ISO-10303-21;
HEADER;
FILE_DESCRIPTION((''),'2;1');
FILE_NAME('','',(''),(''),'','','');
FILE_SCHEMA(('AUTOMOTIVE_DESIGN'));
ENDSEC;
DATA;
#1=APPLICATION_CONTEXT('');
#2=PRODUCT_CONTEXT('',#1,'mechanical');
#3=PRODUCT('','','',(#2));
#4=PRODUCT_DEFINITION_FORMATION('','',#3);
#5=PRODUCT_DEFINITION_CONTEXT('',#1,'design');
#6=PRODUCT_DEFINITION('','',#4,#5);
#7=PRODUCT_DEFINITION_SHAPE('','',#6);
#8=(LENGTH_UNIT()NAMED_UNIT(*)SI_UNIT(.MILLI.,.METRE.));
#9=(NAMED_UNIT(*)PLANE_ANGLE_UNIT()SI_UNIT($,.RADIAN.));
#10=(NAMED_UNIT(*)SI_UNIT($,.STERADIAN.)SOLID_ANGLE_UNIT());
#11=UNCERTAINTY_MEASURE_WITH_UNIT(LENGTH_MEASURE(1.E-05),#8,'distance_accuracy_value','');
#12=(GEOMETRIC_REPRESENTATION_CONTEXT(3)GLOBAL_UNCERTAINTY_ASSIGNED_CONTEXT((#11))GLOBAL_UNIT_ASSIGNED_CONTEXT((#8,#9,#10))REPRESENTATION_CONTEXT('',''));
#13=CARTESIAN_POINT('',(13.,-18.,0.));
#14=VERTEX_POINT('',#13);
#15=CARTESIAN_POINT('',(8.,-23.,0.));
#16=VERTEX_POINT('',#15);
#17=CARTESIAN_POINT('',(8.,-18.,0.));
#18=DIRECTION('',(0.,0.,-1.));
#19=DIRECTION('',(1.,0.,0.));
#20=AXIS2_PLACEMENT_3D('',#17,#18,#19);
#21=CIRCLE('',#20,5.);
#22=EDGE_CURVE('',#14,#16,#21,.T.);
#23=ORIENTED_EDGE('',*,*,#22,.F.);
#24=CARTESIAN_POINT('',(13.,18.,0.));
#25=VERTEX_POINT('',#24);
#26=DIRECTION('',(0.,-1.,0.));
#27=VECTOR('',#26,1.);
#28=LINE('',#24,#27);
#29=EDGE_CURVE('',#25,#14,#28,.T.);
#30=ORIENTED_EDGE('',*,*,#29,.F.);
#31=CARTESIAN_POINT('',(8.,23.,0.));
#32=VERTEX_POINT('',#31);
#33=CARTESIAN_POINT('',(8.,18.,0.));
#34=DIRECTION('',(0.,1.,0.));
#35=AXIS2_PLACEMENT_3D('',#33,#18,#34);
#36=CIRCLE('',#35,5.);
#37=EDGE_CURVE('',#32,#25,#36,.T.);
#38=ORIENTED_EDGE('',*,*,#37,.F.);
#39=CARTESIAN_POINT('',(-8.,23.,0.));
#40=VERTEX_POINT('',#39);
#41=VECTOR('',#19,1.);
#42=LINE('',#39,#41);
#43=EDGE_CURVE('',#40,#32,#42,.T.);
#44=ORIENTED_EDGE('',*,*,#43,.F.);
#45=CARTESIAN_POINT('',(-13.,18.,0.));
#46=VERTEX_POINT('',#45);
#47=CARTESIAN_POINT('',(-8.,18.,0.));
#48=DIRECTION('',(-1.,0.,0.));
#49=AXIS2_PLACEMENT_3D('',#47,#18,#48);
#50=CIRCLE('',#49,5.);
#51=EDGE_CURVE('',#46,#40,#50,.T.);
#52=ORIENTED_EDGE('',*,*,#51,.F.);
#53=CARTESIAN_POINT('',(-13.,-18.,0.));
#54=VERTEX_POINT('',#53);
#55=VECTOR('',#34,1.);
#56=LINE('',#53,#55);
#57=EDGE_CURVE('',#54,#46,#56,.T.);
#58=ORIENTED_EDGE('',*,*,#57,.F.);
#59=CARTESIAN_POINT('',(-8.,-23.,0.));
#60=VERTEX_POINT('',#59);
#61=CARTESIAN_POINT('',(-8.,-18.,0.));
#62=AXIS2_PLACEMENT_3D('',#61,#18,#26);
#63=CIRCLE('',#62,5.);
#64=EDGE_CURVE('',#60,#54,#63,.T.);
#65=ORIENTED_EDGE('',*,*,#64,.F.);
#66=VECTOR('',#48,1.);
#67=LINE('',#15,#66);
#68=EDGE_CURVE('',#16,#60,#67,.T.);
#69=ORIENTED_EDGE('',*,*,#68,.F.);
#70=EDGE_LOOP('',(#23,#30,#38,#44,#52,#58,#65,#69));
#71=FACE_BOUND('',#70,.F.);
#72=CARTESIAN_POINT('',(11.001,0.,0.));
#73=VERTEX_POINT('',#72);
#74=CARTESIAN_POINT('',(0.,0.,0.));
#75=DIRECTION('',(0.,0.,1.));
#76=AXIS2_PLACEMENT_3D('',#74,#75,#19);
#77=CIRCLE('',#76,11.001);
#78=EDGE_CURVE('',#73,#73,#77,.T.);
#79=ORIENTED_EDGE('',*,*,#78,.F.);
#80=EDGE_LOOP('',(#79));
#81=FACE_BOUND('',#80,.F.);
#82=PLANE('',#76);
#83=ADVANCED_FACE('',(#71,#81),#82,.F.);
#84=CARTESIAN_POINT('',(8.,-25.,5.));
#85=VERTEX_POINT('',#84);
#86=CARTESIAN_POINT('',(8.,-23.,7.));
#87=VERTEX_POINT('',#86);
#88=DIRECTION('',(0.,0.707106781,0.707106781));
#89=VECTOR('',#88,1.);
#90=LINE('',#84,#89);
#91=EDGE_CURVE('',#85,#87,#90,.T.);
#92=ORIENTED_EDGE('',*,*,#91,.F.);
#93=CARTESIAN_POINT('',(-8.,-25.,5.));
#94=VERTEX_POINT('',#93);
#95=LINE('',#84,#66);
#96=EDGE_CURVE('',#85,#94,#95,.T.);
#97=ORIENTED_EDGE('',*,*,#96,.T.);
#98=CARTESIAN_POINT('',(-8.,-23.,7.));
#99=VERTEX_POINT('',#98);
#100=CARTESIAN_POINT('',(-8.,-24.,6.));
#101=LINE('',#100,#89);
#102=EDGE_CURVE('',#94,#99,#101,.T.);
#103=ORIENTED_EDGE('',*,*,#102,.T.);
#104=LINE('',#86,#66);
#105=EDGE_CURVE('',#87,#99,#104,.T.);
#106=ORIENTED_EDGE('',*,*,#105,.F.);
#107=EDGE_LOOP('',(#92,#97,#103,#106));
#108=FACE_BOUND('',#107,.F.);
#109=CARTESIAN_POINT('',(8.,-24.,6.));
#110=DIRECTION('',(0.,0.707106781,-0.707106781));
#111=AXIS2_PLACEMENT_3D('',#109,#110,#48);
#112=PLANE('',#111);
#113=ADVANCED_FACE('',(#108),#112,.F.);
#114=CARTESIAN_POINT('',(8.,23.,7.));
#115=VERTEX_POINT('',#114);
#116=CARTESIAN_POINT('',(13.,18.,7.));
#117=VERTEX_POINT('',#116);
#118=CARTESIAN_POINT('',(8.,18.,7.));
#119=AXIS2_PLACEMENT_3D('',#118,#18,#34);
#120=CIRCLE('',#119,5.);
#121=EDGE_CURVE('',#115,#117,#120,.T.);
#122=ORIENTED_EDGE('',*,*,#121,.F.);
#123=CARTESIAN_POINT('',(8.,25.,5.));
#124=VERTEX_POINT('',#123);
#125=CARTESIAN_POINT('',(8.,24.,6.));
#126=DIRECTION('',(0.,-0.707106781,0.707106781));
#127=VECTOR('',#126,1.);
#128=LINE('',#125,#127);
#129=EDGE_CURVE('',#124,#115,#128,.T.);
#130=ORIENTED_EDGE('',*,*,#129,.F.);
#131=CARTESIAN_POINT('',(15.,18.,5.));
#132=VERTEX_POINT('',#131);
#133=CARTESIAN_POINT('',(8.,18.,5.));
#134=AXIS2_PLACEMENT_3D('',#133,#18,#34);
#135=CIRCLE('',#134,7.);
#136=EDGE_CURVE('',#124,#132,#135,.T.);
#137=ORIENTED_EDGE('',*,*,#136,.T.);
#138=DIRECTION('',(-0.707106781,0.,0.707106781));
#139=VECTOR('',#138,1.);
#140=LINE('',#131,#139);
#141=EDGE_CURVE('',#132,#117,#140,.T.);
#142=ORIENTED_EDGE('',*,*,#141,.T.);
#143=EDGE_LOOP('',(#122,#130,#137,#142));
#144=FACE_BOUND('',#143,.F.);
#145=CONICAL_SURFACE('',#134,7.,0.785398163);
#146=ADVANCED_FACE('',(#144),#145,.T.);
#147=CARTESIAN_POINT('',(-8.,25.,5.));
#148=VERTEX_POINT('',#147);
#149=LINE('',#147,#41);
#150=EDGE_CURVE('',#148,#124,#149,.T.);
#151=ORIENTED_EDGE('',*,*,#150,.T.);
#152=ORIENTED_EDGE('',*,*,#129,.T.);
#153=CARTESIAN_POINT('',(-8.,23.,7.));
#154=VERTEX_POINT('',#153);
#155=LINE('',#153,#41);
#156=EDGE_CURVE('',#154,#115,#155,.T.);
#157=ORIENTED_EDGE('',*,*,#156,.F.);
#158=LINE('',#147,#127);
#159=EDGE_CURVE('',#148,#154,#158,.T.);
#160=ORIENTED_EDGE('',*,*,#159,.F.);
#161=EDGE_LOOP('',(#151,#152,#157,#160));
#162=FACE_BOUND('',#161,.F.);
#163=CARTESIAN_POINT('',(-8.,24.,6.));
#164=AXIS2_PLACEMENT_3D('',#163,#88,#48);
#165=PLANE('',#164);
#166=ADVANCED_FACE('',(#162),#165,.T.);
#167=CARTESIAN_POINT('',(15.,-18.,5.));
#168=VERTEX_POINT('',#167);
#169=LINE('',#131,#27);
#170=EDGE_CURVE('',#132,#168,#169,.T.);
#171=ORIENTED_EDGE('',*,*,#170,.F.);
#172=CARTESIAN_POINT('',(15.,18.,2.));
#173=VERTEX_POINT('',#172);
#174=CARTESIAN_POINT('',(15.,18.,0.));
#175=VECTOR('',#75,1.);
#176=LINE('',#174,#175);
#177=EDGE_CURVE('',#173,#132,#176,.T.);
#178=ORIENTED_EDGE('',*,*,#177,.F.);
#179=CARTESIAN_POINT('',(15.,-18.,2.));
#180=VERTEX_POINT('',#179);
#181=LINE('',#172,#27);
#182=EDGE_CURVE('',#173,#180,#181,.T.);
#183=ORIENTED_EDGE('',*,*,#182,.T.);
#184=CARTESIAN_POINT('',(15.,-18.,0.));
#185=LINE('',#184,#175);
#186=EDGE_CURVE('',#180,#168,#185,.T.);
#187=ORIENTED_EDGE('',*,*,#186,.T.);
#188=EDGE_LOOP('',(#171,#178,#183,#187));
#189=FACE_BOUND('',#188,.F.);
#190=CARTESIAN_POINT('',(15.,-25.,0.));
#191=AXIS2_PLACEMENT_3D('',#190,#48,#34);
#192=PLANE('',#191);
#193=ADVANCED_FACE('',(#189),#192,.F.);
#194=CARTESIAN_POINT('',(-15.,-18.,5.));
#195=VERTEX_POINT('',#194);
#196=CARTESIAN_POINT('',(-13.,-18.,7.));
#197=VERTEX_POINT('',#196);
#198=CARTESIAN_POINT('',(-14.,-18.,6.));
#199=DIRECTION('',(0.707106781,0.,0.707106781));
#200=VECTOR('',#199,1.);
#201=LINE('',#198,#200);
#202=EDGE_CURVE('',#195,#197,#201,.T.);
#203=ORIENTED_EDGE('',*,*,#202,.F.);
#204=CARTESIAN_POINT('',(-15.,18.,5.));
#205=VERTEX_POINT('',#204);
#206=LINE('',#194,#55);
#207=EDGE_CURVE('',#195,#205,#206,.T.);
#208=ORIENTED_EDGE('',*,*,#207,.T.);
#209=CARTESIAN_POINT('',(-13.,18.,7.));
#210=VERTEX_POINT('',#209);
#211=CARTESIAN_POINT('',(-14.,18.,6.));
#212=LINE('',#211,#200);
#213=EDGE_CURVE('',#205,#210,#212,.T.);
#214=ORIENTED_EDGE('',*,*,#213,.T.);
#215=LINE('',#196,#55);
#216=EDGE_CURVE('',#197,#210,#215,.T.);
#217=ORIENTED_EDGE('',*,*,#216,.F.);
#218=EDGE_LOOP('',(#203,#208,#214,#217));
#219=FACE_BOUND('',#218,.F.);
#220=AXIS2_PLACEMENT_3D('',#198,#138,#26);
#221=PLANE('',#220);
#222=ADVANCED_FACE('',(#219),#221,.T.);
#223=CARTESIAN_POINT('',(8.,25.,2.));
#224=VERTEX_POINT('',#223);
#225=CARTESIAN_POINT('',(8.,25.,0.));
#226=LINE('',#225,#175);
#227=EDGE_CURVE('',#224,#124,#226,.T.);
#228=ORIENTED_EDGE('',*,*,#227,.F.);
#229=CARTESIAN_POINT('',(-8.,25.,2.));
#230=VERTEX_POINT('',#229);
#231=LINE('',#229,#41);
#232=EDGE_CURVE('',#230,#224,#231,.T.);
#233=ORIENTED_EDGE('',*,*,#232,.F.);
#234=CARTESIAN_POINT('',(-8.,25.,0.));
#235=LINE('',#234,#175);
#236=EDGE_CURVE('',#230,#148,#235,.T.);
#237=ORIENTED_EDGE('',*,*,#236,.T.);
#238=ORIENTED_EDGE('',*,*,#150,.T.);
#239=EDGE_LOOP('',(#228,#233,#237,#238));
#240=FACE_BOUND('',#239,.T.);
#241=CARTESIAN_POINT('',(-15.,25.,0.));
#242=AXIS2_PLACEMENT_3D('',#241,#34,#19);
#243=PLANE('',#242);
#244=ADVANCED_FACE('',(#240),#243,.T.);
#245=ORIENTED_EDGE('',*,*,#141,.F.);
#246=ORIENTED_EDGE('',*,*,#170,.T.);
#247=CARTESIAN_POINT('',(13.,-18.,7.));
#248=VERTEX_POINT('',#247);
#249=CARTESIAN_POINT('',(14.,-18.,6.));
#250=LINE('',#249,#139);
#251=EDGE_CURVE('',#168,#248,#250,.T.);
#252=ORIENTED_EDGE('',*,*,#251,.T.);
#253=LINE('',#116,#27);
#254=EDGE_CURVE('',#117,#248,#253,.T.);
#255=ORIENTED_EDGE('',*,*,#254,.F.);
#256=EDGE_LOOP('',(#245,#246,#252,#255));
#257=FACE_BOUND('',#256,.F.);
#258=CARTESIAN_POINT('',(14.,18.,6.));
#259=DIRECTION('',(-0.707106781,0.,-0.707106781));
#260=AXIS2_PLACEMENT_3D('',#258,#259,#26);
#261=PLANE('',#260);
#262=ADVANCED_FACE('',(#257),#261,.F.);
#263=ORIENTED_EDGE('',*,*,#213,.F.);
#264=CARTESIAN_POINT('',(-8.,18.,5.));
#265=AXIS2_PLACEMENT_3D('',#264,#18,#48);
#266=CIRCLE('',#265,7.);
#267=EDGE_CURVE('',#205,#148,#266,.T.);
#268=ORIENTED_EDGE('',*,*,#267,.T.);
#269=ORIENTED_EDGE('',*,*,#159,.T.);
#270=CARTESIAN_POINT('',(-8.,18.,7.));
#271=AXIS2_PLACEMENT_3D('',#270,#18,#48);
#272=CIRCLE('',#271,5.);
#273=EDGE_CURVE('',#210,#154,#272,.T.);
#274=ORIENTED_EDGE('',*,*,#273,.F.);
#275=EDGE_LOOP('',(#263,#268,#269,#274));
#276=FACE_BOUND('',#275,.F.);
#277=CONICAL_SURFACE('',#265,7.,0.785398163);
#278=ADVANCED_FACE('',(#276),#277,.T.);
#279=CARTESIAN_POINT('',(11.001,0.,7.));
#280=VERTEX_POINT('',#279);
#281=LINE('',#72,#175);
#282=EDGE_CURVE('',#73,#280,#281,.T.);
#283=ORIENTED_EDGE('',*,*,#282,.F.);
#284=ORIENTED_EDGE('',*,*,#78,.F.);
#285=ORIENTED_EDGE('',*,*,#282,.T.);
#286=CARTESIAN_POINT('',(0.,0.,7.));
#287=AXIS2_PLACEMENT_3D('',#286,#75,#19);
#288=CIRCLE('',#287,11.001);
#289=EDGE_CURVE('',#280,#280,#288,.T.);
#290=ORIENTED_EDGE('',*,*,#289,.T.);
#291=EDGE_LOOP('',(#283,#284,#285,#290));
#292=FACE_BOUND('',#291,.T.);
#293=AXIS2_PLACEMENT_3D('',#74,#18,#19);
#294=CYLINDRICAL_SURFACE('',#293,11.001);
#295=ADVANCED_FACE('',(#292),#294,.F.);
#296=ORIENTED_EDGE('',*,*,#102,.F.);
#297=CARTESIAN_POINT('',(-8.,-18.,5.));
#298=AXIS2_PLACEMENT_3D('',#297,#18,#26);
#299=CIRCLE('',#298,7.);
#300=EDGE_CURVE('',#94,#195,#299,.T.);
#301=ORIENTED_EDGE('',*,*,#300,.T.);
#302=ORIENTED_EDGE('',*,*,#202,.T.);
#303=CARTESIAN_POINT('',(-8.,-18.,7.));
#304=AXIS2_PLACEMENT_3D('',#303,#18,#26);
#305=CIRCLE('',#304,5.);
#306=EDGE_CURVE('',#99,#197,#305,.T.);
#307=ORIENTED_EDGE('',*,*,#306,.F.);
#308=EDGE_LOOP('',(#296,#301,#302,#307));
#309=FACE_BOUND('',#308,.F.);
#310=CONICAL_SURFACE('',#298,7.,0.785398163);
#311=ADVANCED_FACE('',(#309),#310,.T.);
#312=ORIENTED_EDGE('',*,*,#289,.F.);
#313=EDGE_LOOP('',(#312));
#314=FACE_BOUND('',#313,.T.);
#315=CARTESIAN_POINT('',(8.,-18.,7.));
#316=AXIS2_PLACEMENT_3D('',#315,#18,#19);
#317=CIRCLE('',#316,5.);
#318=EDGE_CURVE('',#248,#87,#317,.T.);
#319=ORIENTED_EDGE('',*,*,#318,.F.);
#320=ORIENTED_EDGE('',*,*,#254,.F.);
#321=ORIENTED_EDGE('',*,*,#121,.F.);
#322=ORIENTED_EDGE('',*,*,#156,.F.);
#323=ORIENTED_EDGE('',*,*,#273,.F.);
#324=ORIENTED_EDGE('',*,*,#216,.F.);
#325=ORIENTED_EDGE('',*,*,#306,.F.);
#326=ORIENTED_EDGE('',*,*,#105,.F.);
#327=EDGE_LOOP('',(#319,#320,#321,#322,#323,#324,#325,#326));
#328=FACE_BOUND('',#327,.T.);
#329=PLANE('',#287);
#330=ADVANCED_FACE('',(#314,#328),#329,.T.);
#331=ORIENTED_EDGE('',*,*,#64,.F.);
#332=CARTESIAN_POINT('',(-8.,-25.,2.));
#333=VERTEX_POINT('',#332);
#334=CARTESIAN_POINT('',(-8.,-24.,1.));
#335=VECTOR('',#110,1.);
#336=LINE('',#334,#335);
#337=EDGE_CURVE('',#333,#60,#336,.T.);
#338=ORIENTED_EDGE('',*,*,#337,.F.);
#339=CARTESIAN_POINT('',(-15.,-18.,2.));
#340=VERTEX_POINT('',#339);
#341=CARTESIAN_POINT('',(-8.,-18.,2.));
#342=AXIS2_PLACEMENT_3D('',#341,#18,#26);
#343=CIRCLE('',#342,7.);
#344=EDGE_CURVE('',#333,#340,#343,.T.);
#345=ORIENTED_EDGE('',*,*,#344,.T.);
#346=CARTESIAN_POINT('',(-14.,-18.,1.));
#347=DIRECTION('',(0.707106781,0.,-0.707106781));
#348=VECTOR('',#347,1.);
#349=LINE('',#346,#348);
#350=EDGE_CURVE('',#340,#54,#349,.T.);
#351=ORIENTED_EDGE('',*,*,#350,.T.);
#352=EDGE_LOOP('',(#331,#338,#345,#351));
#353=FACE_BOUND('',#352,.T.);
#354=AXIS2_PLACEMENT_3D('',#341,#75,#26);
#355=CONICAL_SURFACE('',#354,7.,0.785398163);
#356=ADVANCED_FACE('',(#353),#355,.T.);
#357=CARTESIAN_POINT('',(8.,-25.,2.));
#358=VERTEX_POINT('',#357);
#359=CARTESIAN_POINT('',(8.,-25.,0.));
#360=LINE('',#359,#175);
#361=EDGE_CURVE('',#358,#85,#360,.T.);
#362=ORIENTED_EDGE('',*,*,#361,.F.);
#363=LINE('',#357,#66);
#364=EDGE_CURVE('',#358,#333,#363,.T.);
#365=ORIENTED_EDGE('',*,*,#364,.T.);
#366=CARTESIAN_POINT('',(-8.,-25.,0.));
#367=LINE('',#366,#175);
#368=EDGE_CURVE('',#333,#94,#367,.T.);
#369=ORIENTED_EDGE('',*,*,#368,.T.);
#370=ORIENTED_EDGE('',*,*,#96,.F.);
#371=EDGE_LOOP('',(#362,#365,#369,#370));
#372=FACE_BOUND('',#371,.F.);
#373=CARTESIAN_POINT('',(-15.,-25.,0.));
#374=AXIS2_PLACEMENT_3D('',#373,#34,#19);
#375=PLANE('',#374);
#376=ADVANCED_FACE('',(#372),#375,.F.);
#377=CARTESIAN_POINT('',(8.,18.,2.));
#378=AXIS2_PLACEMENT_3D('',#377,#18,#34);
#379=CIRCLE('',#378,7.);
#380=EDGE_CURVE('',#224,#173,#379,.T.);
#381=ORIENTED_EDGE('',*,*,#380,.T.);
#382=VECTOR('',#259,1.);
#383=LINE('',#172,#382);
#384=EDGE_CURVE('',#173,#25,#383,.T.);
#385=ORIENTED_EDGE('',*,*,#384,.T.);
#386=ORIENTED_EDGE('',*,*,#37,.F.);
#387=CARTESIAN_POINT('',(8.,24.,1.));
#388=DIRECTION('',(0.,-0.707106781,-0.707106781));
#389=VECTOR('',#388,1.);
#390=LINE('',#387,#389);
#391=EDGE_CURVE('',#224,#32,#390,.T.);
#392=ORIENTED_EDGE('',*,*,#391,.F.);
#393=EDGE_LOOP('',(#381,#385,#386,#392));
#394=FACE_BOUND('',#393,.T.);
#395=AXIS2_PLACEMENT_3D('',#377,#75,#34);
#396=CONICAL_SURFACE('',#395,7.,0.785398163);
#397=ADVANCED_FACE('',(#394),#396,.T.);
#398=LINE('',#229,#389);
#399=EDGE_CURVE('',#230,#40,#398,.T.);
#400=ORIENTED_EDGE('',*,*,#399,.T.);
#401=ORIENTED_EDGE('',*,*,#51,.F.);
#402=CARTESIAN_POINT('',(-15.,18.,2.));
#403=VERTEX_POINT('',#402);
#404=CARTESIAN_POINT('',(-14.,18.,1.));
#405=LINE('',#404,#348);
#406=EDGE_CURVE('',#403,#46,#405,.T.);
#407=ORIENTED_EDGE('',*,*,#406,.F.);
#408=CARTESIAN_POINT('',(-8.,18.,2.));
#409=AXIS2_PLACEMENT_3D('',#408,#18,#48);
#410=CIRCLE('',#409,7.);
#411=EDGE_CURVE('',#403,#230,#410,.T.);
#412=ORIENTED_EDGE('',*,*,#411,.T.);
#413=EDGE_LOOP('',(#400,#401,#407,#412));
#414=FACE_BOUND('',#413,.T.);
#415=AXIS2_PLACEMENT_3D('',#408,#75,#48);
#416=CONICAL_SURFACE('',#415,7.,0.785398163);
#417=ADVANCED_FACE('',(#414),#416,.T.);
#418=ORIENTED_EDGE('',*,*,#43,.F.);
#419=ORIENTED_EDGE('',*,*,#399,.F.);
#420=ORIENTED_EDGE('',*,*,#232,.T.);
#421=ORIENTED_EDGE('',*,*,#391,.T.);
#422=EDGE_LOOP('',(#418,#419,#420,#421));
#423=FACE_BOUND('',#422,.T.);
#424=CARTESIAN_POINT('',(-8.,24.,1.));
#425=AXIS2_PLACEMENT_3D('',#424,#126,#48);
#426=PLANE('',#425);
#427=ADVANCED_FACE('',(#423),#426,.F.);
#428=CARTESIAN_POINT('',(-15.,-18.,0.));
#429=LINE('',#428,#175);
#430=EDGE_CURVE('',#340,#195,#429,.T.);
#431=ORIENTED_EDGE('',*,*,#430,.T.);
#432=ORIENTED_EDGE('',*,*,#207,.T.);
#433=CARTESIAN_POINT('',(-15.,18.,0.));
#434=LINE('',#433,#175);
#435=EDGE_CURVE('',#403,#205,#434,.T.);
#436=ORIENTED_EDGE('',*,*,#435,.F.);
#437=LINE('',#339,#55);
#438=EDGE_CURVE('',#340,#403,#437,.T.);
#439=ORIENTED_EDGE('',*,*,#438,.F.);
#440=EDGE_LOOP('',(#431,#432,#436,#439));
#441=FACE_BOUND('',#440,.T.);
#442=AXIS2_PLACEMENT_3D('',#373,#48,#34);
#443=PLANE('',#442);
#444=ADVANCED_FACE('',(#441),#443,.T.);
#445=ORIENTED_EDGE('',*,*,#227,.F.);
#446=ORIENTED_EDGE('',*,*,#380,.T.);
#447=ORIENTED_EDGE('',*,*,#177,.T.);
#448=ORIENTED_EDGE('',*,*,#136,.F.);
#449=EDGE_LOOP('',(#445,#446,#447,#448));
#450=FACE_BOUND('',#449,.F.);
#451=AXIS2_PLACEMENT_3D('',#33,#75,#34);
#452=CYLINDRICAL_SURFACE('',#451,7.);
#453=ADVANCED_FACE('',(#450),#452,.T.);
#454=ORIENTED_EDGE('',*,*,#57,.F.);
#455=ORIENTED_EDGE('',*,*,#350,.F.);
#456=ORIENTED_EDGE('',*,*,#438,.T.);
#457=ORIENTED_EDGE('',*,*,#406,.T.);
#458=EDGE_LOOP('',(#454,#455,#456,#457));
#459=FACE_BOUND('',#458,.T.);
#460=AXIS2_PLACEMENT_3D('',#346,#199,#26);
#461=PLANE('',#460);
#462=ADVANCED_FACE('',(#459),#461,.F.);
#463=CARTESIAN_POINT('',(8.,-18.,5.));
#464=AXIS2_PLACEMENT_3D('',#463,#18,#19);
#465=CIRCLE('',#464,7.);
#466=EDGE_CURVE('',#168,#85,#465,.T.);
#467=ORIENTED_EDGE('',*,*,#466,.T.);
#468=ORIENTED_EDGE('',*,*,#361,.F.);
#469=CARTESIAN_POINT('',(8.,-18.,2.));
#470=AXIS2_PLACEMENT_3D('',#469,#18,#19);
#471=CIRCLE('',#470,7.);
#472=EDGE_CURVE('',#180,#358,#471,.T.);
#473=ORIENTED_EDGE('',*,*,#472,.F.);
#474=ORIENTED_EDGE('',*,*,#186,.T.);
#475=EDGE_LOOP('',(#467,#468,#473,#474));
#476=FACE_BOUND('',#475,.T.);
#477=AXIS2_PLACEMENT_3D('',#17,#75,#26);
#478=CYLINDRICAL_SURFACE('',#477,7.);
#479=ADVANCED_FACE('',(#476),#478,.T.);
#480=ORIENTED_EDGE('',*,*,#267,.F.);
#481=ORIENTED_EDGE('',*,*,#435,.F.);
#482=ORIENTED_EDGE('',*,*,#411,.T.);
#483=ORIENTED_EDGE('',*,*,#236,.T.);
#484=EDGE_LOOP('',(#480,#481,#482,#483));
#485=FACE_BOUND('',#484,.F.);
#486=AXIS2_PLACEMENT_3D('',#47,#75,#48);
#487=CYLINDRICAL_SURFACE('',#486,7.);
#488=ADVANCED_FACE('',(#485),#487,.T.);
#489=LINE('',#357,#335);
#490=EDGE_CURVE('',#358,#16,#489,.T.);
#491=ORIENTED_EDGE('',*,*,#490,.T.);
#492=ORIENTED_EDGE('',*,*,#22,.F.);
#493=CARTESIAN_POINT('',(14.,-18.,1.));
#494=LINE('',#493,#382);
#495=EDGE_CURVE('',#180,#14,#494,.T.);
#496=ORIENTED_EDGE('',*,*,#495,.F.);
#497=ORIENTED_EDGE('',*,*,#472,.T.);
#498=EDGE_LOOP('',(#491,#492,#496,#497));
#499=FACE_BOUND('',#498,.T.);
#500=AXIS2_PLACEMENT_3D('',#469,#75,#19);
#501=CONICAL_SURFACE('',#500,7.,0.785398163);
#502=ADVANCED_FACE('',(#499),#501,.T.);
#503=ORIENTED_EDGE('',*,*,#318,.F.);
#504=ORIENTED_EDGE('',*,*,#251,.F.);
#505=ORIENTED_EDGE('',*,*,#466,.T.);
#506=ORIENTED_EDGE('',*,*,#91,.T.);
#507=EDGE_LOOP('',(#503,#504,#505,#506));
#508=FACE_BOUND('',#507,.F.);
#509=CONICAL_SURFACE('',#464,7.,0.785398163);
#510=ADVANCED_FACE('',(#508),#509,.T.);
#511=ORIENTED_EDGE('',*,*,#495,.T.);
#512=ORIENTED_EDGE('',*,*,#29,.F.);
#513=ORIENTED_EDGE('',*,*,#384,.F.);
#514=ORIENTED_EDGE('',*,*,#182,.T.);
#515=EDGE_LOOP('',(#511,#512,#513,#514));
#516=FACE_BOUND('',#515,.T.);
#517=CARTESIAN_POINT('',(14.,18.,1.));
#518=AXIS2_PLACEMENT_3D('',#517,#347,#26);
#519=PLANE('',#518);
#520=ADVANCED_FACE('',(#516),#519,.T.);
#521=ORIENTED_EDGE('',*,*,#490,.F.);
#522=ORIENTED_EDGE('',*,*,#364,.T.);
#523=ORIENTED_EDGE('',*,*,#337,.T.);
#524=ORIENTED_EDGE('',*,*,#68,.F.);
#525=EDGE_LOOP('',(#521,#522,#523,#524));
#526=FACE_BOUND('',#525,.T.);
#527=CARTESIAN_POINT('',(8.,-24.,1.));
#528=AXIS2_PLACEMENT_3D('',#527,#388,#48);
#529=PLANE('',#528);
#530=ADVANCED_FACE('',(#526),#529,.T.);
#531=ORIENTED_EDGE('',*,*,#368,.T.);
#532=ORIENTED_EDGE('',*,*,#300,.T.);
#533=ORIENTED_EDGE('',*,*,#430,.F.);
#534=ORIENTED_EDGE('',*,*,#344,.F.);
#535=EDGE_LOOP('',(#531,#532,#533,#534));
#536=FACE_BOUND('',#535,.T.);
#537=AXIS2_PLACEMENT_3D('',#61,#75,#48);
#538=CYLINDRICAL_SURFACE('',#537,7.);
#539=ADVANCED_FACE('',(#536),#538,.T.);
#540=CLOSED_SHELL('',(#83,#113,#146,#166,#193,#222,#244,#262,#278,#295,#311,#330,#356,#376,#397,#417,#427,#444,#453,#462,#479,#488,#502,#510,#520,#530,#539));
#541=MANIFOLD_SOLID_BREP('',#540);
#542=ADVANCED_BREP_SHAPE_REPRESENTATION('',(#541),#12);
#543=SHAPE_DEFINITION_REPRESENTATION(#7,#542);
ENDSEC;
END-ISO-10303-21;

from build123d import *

# Parameters (mm, degrees)
F0_W     = 30
F0_H     = 50
F0_R     = 11.001
F1_DEPTH = 7
F2_R     = 7
F3_SIZE  = 2


with BuildPart() as f1:
    # F0 (on Top) → F1 (new body)
    with BuildSketch(Plane.XY):
        Rectangle(F0_W, F0_H)
        Circle(F0_R, mode=Mode.SUBTRACT)
    extrude(amount=F1_DEPTH)

    # F2
    f2_edges = [f1.edges().sort_by_distance(p)[0] for p in [
        (-15, -25, 3.5),
        (15, -25, 3.5),
        (-15, 25, 3.5),
        (15, 25, 3.5),
    ]]
    fillet(f2_edges, radius=F2_R)

    # F3
    f3_edges = [f1.edges().sort_by_distance(p)[0] for p in [
        (-15, 0, 7),
        (-15, 0, 0),
    ]]
    chamfer(f3_edges, length=F3_SIZE)


solid = f1.part
